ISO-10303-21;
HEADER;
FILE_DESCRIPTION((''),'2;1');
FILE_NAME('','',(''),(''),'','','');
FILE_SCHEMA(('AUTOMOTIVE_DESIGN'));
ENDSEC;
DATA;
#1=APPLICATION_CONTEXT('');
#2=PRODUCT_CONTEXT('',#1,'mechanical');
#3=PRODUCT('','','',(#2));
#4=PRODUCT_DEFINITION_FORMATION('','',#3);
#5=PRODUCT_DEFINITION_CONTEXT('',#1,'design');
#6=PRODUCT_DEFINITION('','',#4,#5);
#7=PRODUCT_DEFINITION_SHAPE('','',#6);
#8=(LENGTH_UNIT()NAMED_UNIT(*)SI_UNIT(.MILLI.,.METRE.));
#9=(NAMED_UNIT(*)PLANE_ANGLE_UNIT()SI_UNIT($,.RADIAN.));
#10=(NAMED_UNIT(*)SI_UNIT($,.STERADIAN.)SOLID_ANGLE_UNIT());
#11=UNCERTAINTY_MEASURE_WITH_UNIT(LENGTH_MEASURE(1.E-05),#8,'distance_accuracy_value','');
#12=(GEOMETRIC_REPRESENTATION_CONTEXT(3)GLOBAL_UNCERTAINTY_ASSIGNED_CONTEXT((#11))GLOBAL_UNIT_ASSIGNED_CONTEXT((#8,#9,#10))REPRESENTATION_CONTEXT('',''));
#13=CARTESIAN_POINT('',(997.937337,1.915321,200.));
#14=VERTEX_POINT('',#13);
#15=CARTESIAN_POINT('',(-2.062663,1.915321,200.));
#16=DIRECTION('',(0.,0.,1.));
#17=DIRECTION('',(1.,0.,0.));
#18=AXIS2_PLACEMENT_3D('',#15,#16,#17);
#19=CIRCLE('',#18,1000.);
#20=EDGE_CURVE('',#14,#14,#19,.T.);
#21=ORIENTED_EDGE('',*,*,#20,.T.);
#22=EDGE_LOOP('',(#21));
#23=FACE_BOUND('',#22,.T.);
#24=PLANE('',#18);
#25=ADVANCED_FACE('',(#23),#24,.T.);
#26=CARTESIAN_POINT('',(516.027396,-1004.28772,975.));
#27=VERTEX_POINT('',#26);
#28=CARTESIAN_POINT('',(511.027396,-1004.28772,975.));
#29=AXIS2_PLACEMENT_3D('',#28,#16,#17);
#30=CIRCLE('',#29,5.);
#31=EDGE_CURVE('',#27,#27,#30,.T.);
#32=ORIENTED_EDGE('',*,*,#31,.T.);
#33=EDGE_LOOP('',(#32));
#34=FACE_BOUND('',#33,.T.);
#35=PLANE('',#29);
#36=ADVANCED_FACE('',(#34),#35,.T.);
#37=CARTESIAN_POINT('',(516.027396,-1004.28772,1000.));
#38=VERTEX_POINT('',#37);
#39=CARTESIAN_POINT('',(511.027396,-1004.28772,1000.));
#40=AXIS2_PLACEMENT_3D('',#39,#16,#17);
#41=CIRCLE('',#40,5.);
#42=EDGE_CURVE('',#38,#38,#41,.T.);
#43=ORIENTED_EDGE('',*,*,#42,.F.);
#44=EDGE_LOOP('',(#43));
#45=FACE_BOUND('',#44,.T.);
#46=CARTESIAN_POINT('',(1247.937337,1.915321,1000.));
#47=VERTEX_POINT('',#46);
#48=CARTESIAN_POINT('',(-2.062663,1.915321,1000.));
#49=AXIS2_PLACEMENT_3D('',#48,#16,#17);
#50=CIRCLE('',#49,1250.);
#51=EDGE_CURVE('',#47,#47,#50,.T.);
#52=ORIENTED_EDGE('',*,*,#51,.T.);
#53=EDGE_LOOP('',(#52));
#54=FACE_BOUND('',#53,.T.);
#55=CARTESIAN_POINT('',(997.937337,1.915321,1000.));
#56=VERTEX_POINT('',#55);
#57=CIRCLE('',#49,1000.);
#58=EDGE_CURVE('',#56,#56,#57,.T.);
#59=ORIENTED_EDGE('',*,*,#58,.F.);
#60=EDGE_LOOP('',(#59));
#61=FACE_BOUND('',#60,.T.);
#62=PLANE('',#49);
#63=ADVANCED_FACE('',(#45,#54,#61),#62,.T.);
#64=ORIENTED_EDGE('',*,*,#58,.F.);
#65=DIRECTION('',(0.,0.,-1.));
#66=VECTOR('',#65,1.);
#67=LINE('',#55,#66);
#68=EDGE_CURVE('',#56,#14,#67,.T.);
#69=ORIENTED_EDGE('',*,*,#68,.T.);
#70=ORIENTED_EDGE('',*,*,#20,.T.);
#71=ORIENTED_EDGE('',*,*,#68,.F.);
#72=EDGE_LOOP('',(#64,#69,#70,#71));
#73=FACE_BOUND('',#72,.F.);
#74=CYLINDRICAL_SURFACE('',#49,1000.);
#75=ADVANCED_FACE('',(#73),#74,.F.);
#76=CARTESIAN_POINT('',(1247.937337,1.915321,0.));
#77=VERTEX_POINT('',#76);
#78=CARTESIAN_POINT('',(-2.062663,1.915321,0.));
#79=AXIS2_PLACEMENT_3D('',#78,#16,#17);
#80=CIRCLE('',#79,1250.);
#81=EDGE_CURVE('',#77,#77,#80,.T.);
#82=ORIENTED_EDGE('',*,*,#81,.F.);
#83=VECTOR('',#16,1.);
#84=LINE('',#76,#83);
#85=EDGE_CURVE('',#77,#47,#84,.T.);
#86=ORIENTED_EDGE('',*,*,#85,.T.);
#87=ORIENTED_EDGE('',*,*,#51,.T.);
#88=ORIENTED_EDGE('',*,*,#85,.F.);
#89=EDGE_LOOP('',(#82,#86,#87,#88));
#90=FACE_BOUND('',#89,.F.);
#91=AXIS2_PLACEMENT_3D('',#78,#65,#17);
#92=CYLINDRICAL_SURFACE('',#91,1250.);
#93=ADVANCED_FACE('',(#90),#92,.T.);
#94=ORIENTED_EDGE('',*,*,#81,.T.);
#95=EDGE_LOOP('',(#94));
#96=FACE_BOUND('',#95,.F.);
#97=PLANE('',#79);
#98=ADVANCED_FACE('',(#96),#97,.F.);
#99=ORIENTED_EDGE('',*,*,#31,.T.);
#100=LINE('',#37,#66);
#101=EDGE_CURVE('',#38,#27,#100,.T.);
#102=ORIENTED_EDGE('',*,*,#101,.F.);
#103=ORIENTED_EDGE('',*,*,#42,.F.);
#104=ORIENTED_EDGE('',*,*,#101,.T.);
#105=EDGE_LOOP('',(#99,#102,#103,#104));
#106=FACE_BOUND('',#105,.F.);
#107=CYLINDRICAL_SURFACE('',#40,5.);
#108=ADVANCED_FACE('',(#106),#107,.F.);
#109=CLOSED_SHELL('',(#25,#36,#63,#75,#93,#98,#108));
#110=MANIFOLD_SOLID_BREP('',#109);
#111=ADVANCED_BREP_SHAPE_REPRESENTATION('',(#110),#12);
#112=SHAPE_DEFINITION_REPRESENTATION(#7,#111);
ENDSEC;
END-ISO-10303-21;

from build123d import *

# Parameters (mm, degrees)
F0_R     = 1250
F1_DEPTH = 1000
F2_R     = 1000
F3_DEPTH = 800
F5_R     = 5
F6_DEPTH = 25


with BuildPart() as f1:
    # F0 (on Top) → F1 (new body)
    with BuildSketch(Plane.XY):
        with Locations((-2.062663, 1.915321)):
            Circle(F0_R)
    extrude(amount=F1_DEPTH)

    # F2 (on face) → F3 (cut)
    with BuildSketch(Plane.XY.offset(1000)):
        with Locations((-2.062663, 1.915321)):
            Circle(F2_R)
    extrude(amount=-F3_DEPTH, mode=Mode.SUBTRACT)

    # F5 (on face) → F6 (cut)
    with BuildSketch(Plane.XY.offset(1000)):
        with Locations((511.027396, -1004.28772)):
            Circle(F5_R)
    extrude(amount=-F6_DEPTH, mode=Mode.SUBTRACT)


solid = f1.part
